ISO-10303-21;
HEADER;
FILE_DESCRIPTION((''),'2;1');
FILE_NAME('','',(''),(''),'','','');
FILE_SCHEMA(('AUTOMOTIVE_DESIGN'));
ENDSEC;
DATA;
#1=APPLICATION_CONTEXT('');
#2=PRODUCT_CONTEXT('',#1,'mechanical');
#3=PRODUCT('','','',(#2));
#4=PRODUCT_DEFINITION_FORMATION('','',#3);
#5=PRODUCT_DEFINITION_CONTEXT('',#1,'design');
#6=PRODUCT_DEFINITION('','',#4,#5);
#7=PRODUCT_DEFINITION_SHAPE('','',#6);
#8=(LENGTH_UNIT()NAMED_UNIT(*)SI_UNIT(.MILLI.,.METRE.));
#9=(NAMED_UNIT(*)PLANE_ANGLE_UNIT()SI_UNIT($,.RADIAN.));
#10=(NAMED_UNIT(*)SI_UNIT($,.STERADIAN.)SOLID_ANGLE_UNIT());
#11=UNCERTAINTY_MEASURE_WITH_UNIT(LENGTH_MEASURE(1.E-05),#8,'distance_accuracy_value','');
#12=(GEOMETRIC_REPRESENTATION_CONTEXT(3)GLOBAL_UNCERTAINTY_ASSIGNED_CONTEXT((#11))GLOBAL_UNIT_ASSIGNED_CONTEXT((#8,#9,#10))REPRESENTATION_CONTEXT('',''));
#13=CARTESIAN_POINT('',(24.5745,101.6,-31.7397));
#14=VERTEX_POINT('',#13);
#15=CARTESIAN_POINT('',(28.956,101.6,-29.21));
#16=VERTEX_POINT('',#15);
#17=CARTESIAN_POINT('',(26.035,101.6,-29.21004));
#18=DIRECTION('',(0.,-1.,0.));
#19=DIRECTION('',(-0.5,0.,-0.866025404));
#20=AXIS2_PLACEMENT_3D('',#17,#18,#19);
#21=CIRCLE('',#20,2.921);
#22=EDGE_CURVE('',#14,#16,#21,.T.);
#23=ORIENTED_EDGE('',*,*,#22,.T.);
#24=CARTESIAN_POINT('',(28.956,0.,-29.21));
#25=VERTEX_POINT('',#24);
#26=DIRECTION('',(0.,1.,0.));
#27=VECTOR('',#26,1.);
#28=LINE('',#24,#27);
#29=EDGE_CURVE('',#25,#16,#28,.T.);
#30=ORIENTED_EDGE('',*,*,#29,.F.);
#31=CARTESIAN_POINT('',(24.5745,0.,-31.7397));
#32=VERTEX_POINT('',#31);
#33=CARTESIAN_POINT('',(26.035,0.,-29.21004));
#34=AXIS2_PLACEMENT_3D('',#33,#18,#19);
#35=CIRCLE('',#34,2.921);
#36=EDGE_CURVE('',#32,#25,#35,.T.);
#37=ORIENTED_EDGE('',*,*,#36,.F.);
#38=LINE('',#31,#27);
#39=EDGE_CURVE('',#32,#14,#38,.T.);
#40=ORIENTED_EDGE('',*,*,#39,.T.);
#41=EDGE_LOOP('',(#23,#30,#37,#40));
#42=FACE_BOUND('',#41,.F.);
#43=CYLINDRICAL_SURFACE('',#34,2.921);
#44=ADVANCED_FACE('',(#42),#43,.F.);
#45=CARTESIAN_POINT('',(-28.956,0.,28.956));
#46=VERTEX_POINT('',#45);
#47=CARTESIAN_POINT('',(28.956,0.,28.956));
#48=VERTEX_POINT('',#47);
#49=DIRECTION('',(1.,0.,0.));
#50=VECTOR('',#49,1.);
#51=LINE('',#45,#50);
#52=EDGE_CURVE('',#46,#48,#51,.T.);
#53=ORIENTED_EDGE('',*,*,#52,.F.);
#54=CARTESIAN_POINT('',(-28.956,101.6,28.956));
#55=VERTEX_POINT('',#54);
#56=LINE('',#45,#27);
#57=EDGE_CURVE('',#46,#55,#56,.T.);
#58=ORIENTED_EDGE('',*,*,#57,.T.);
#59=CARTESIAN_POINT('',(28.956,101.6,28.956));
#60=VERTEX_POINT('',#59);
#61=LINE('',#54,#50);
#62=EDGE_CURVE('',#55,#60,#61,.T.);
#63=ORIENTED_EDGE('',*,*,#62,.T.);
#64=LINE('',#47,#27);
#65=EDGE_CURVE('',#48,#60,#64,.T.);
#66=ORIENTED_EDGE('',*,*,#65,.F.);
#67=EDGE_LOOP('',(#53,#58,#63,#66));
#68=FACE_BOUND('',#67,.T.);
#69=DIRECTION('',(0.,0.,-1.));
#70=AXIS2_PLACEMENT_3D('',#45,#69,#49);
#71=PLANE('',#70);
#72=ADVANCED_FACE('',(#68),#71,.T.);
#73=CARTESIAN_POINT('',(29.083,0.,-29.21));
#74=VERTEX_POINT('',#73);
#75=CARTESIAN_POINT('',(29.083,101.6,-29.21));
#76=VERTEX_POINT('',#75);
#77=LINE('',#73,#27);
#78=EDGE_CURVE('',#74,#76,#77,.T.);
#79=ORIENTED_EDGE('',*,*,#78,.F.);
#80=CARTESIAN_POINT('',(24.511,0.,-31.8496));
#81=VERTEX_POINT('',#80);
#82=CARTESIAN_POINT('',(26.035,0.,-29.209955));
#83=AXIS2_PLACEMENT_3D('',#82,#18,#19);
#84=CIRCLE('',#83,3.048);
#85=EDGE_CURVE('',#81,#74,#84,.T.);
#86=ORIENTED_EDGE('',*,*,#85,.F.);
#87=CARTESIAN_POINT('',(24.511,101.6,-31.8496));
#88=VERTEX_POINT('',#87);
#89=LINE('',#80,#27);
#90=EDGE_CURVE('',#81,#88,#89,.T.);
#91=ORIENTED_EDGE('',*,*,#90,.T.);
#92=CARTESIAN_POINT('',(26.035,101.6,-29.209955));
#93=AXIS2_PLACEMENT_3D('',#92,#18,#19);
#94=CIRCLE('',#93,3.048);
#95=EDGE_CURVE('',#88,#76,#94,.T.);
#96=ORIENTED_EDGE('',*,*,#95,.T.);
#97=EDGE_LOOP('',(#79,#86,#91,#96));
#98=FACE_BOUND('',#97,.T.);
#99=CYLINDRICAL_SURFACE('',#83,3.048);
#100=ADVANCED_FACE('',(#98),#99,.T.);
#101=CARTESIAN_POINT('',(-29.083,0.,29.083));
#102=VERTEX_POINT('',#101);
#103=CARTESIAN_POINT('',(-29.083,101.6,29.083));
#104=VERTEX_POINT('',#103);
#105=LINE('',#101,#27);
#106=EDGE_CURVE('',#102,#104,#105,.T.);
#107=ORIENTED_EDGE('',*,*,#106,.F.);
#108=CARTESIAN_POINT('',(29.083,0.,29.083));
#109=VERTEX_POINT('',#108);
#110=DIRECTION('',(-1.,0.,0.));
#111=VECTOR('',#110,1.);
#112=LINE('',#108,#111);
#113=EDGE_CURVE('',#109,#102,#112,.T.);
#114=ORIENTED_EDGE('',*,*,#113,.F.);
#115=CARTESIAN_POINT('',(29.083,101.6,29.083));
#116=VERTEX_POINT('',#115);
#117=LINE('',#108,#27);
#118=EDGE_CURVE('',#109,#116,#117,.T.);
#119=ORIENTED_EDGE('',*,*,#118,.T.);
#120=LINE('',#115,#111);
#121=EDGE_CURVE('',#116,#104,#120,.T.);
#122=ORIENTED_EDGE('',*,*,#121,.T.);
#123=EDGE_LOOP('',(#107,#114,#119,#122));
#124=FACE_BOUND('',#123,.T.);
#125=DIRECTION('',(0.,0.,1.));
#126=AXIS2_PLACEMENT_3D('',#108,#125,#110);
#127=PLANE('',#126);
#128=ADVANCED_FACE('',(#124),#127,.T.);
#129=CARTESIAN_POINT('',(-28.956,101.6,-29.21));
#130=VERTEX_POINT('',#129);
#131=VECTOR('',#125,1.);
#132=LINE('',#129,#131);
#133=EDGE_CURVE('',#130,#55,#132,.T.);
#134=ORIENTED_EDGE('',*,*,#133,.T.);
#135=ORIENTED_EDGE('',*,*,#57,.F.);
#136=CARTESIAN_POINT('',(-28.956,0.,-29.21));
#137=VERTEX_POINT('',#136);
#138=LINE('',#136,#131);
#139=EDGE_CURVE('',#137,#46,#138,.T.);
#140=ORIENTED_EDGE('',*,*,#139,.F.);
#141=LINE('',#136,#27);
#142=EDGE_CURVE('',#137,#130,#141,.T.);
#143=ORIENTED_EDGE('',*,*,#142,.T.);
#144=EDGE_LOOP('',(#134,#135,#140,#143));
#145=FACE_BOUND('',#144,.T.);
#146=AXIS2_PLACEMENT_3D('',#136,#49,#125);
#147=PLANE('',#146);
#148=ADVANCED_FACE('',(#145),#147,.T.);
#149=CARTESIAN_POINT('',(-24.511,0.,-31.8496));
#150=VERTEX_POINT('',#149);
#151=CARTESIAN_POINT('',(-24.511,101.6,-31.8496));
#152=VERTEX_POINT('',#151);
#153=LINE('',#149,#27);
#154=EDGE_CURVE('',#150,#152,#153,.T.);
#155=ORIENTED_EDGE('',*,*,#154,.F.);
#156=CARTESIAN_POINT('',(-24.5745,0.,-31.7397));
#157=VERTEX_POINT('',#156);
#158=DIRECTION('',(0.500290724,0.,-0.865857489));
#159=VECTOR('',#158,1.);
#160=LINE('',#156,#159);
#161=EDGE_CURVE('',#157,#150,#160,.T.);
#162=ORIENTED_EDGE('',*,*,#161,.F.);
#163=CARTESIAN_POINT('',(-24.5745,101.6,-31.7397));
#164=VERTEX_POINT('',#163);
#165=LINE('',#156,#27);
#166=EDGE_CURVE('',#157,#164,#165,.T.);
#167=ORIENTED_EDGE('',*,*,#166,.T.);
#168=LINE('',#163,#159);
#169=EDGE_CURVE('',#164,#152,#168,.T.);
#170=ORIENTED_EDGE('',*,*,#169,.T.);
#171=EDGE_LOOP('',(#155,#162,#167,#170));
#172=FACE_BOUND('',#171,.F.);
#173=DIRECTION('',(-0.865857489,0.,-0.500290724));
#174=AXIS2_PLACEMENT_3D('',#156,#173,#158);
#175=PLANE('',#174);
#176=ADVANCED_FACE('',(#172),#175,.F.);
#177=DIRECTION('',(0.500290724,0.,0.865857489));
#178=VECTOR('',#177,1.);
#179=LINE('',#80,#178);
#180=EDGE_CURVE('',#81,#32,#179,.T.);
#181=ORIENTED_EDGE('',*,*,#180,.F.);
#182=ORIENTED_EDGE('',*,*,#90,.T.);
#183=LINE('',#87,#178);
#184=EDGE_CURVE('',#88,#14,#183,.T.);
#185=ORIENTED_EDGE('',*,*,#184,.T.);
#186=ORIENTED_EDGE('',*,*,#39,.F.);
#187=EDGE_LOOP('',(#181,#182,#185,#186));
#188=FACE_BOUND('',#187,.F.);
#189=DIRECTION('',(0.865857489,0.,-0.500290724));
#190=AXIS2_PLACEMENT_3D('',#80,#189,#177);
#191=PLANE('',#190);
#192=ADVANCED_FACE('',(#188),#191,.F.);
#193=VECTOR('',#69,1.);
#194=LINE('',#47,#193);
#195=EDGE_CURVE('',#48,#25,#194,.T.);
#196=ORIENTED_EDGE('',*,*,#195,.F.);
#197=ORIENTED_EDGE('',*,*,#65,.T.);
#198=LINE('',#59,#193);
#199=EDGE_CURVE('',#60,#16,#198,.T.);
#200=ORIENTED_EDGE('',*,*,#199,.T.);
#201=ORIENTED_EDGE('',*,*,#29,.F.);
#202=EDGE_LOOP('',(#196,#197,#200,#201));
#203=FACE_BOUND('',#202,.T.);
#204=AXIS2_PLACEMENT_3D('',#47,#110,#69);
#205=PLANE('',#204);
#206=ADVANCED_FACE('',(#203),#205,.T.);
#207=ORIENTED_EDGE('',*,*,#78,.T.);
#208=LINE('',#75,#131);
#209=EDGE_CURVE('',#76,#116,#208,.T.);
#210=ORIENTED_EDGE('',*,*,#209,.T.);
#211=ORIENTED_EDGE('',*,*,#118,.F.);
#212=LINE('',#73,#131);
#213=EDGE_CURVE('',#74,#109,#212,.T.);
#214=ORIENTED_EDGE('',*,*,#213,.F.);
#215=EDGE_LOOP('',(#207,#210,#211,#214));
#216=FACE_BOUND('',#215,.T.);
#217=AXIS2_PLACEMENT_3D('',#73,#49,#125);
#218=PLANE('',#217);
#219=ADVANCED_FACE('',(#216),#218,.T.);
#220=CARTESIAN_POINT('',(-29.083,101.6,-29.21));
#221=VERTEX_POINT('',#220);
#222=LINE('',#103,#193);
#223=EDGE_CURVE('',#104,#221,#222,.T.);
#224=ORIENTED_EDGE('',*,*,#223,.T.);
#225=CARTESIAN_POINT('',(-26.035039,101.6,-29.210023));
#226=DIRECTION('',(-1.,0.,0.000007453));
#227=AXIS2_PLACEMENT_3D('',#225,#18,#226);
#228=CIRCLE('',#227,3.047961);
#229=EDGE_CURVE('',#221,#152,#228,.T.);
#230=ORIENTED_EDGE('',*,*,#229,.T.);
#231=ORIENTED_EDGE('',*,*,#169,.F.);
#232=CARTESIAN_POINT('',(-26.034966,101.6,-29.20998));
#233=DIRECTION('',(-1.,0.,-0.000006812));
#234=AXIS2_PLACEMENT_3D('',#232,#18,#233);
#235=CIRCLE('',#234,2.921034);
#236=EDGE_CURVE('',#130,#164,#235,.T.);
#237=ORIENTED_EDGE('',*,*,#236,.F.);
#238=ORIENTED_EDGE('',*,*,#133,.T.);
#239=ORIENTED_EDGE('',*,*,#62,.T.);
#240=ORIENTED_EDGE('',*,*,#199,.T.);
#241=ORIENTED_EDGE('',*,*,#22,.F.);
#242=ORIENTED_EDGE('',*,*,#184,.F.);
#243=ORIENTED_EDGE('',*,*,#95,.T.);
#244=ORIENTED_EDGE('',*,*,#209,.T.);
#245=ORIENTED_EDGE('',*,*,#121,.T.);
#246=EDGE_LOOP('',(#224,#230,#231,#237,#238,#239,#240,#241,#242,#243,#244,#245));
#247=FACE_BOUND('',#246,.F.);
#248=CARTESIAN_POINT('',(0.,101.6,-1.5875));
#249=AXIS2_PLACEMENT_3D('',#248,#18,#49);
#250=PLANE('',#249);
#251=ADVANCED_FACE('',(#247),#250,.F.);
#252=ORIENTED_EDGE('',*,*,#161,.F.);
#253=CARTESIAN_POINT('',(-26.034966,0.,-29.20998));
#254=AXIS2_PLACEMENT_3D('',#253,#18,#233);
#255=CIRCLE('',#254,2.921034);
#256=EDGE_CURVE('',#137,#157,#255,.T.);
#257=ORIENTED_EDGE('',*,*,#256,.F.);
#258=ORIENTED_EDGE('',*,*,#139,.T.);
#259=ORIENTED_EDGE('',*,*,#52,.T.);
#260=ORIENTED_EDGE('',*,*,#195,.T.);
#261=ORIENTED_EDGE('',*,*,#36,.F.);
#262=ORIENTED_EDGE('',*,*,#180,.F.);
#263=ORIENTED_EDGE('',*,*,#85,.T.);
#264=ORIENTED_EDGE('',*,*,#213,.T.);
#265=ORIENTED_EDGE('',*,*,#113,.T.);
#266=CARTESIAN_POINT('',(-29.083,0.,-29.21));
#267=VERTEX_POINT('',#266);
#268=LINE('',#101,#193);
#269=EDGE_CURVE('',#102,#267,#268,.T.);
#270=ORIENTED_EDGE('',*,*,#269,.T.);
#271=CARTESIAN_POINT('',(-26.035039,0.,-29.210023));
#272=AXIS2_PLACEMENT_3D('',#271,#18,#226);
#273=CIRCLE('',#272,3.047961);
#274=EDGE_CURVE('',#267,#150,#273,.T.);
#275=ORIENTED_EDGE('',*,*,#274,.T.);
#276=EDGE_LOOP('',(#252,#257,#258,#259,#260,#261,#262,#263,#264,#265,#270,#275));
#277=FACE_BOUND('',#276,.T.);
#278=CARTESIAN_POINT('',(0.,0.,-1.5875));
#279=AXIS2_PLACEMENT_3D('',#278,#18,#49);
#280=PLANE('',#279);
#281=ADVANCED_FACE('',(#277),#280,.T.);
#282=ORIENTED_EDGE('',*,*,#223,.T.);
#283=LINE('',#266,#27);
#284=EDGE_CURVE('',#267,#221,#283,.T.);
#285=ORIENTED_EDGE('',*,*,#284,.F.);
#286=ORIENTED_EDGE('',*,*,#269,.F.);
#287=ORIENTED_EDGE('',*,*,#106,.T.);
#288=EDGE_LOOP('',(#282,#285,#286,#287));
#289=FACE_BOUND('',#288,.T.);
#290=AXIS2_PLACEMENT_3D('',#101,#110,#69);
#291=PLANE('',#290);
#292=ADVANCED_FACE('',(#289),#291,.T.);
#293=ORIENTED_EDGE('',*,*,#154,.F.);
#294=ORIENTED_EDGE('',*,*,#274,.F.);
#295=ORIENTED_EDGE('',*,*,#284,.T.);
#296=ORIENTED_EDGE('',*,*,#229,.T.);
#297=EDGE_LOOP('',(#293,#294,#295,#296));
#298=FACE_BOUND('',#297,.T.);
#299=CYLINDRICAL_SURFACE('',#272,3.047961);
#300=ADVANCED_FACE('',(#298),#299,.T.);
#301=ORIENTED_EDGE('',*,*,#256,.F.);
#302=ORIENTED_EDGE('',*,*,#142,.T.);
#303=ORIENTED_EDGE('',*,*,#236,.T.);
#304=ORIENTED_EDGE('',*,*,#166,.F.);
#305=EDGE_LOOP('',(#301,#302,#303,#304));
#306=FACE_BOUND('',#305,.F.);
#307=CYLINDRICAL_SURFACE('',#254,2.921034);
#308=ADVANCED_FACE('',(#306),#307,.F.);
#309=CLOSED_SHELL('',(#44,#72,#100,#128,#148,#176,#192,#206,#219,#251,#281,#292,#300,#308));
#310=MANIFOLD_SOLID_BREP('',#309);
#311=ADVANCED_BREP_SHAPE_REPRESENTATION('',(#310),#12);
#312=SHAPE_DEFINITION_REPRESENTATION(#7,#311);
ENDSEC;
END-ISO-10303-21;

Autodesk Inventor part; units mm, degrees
ref_plane "YZ Plane" through (0, 0, 0) normal (1, 0, 0) x (0, 1, 0)
ref_plane "XZ Plane" through (0, 0, 0) normal (0, 1, 0) x (-1, 0, 0)
ref_plane "Work Plane1" through (0, 0, -1.5875) normal (0, -1, 0) x (1, 0, 0)
sketch "Sketch1" plane through (0, 0, -1.5875) normal (0, -1, 0) x (1, 0, 0)
  line L0 (28.956, 30.5435) -> (28.956, -27.6225) projected
  line L1 (-28.956, 30.5435) -> (28.956, 30.5435) projected
  line L2 (-28.956, -27.6225) -> (-28.956, 30.5435) projected
  circle A0 centre (26.035, -27.6225) radius 1.4732 construction
  circle A1 centre (-26.035, -27.6225) radius 1.4732 construction
  arc A2 (24.5745, -30.1522) -> (28.956, -27.6225) centre (26.035, -27.6225) ccw
  arc A3 (-28.956, -27.6225) -> (-24.5745, -30.1522) centre (-26.035, -27.6225) ccw
  line L3 (29.083, -27.6225) -> (29.083, 30.6705)
  line L4 (29.083, 30.6705) -> (-29.083, 30.6705)
  line L5 (-29.083, 30.6705) -> (-29.083, -27.6225)
  arc A4 (24.511, -30.2621) -> (29.083, -27.6225) centre (26.035, -27.6225) ccw
  arc A5 (-29.083, -27.6225) -> (-24.511, -30.2621) centre (-26.035, -27.6225) ccw
  line L6 (-26.035, -27.6225) -> (-24.511, -30.2621) construction
  line L7 (-24.5745, -30.1522) -> (-24.511, -30.2621)
  line L8 (-26.035, -27.6225) -> (-26.035, -29.4353) construction
  line L9 (26.035, -27.6225) -> (24.511, -30.2621) construction
  line L10 (26.035, -27.6225) -> (26.035, -29.6779) construction
  line L11 (24.511, -30.2621) -> (24.5745, -30.1522)
  point P0 (0, 1.5875)
  dimension "d0" = 0.127
  dimension "d1" = 0.127
  dimension "d3" = 0.127
  dimension "d4" = 0.127
  dimension "d5" = 0.127
  dimension "d8" = 30
  dimension "d9" = 30
ref_plane "Work Plane2" through (-29.21, 101.6, -32.385) normal (0, 1, 0) x (0, 0, 1)
extrude "Extrusion1" add sketch "Sketch1" against normal blind 101.6
properties material "PET, WHITE"
